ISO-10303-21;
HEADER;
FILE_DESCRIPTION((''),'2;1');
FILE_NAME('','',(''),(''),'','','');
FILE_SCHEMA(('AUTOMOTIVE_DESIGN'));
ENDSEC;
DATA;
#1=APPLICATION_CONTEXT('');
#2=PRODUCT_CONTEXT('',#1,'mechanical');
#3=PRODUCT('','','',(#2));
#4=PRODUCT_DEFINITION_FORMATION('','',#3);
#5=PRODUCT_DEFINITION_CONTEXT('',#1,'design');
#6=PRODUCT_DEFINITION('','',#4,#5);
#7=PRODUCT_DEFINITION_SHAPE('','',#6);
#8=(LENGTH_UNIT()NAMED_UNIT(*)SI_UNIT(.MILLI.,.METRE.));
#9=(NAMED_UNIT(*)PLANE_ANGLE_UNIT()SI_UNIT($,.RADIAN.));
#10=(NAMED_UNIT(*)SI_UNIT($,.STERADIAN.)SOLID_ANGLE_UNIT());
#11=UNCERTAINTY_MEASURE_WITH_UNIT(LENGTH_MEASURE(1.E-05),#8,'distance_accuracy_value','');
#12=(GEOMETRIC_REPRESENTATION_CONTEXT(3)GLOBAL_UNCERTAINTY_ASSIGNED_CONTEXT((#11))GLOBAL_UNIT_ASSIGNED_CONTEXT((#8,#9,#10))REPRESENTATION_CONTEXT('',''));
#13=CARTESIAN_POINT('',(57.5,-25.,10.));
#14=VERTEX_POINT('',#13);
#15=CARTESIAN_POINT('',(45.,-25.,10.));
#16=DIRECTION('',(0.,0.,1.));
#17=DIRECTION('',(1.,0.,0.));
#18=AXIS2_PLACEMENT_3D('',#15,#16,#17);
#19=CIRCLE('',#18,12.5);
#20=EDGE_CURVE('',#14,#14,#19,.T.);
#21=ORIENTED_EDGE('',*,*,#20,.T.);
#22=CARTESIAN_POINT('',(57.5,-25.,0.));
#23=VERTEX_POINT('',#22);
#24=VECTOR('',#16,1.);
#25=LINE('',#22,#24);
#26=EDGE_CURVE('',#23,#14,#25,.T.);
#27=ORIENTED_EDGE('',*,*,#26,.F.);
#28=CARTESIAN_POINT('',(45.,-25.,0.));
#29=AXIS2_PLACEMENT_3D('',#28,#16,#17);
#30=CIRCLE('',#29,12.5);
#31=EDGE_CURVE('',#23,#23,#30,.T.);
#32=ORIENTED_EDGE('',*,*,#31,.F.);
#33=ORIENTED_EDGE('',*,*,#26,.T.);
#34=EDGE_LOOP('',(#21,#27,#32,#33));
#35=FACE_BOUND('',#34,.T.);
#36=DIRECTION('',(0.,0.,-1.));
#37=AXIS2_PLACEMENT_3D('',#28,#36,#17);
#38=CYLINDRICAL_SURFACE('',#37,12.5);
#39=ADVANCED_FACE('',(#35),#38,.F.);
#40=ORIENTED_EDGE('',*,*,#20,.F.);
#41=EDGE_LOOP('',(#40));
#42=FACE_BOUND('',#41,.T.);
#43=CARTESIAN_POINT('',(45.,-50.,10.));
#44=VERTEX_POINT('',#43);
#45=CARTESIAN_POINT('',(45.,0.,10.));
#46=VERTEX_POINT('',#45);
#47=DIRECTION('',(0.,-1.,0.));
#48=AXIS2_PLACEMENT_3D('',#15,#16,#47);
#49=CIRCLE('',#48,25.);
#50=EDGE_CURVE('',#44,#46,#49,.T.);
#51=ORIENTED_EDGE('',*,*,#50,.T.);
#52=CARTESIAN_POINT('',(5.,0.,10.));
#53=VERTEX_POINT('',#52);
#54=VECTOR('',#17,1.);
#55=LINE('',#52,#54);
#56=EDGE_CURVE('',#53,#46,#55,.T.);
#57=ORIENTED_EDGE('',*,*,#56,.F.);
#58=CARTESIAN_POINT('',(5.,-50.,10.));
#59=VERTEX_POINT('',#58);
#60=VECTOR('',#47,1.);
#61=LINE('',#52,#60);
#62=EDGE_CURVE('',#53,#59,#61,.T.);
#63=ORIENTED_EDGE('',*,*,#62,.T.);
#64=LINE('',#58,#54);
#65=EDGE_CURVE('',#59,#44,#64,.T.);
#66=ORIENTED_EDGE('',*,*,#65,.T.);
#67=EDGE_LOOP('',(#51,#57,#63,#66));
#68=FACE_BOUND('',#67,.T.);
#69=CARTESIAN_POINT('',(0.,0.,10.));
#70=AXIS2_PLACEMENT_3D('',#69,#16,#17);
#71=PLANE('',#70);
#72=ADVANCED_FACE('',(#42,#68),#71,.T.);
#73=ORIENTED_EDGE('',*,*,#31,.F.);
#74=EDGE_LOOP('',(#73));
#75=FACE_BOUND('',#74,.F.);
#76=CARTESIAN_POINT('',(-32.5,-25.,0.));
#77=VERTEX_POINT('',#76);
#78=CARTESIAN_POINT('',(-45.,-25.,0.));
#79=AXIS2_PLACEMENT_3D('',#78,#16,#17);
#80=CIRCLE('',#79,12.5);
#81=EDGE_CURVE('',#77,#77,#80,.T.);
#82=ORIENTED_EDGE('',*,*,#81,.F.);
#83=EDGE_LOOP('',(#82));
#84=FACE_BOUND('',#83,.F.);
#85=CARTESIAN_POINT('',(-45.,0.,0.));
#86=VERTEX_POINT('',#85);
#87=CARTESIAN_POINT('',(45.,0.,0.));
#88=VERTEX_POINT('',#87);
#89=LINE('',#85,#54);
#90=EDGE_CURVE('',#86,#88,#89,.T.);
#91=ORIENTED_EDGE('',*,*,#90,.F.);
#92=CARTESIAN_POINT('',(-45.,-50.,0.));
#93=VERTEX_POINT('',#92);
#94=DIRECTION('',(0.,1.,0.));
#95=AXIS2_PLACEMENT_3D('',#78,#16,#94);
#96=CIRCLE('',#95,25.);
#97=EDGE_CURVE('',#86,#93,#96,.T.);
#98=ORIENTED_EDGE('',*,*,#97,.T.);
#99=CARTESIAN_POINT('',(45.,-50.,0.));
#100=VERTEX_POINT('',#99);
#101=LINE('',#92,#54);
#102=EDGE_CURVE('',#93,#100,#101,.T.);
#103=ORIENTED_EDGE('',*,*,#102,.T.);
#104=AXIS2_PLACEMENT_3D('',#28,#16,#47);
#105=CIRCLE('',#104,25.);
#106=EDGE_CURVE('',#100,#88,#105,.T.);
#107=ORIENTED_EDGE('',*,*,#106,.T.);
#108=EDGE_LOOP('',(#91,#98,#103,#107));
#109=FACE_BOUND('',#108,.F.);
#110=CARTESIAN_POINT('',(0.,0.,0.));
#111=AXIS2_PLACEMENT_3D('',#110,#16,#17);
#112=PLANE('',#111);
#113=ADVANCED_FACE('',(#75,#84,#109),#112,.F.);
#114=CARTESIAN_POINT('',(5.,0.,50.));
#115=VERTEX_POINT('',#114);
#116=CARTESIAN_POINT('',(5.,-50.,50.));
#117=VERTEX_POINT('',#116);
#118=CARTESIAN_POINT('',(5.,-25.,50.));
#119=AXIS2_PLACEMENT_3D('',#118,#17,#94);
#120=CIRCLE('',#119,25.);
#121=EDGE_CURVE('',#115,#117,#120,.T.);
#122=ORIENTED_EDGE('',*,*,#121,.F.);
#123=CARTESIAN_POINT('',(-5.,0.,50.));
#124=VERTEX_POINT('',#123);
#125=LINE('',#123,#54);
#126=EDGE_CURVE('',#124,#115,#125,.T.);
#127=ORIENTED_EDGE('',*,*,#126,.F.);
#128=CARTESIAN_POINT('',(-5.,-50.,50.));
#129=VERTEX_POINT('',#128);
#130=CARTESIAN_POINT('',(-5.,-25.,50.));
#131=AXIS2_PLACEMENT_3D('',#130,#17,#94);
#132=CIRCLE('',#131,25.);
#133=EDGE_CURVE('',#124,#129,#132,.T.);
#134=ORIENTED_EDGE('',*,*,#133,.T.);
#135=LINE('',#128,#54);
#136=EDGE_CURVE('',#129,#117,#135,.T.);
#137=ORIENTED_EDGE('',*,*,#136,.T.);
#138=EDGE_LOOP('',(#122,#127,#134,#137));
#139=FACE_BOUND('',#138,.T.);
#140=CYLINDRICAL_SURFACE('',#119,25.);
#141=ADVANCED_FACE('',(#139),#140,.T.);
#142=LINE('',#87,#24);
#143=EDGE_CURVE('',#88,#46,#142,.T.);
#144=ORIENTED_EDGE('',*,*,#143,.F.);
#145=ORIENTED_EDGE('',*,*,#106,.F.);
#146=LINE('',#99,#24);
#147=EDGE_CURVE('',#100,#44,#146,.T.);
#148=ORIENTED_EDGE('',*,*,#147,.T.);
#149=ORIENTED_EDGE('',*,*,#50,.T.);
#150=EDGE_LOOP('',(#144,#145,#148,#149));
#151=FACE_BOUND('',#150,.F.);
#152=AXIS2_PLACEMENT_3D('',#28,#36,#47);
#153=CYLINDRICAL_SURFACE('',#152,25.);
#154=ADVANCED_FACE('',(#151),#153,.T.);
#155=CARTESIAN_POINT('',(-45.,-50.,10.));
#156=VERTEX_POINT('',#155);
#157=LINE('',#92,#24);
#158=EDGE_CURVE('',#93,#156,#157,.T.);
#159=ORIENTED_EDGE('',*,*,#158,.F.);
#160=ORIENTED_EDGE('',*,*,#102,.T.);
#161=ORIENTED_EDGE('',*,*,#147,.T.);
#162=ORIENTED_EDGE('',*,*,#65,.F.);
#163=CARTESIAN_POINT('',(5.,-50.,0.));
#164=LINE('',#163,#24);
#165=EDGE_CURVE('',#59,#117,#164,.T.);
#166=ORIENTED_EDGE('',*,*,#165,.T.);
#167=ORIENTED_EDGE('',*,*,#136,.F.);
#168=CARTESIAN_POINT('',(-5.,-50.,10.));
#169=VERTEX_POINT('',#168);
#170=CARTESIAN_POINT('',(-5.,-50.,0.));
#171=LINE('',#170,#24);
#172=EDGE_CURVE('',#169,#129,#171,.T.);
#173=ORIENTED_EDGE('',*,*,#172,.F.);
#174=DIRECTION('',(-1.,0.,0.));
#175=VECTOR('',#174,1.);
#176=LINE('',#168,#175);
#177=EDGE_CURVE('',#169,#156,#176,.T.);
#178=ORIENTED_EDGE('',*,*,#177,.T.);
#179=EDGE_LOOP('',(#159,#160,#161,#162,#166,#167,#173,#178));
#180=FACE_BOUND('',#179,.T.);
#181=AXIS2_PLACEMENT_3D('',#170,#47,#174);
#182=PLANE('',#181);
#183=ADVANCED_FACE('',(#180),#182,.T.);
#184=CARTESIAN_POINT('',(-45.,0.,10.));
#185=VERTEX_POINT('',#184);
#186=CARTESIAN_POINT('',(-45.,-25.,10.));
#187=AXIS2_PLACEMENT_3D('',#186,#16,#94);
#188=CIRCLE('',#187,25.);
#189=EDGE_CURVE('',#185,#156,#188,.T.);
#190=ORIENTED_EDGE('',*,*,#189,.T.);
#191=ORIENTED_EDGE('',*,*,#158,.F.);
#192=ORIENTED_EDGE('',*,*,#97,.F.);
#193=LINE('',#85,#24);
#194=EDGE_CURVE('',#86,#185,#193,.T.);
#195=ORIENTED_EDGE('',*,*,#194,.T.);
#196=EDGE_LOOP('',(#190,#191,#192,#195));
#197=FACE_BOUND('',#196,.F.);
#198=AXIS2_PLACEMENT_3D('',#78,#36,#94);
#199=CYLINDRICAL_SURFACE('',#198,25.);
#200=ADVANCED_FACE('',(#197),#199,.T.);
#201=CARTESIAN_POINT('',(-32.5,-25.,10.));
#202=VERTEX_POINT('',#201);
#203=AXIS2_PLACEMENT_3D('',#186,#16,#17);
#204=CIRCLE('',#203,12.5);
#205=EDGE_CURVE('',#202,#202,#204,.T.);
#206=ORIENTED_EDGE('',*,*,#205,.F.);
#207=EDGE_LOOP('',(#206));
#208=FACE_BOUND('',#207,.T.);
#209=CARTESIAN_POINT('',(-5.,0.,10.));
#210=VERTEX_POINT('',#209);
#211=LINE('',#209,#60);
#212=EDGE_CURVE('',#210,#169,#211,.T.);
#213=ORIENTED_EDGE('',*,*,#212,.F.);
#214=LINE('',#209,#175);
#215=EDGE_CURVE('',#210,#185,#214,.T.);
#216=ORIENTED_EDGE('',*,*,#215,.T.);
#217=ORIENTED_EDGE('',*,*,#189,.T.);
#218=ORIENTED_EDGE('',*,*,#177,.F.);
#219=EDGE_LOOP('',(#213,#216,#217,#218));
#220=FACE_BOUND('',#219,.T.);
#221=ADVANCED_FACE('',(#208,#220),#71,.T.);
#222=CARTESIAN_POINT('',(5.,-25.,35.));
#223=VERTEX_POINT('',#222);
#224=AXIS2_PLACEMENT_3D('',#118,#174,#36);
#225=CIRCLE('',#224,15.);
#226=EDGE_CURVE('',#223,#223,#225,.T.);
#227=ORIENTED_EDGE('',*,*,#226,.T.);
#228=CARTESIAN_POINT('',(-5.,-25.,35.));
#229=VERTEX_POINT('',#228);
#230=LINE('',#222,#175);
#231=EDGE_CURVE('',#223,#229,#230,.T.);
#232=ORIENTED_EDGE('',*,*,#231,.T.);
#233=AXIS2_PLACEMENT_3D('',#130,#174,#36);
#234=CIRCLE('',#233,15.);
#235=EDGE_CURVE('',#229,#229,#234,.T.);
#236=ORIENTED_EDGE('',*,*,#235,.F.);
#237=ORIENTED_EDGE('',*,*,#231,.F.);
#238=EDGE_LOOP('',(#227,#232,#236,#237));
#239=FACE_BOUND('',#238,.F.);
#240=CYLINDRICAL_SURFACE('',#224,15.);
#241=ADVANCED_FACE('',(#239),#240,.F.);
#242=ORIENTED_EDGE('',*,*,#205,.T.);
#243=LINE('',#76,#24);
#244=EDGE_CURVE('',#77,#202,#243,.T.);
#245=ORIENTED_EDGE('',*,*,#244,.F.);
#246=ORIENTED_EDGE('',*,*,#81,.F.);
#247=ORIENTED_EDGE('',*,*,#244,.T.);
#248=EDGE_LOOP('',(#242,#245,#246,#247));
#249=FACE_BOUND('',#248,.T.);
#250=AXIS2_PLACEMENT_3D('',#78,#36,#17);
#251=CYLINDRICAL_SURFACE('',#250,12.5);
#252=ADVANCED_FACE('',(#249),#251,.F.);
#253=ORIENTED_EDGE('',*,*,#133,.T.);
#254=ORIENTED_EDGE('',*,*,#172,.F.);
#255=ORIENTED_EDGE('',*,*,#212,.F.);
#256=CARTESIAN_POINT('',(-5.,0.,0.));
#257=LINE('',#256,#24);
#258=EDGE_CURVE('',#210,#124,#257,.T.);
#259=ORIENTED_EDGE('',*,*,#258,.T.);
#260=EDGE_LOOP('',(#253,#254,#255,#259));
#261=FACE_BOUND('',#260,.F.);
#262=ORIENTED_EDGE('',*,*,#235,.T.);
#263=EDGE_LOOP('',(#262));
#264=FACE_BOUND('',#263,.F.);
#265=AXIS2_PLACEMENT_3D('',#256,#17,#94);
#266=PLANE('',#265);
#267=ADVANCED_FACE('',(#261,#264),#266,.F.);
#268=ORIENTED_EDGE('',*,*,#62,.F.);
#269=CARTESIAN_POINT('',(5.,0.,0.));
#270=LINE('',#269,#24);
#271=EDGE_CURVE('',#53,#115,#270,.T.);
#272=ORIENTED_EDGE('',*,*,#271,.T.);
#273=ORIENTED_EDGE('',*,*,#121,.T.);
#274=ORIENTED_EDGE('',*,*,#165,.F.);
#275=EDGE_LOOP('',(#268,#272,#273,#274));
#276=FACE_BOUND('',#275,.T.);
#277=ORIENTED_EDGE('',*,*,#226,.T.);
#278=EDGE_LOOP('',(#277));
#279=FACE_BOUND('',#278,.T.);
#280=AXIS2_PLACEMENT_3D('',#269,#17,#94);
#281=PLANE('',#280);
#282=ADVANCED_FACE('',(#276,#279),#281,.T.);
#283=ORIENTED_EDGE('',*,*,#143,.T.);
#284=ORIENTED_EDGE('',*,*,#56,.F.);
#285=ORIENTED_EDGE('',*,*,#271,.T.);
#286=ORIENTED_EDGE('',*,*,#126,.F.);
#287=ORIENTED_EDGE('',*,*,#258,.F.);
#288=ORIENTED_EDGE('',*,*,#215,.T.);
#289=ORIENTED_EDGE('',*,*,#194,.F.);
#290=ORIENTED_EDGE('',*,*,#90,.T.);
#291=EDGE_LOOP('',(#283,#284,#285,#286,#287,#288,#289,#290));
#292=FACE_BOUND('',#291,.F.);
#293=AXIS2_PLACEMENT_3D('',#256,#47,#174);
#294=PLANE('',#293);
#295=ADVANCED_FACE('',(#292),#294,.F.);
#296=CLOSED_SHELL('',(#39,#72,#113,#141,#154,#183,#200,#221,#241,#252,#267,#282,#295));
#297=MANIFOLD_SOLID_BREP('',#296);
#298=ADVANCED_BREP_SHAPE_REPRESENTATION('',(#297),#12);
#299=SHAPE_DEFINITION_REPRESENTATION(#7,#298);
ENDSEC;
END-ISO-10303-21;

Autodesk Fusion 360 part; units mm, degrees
sketch "Sketch1" plane through (0, 0, 0) normal (0, 0, 1) x (1, 0, 0)
  line L0 (-5, 0) -> (-5, -50)
  line L1 (5, 0) -> (5, -50)
  line L2 (5, 0) -> (45, 0)
  line L3 (-5, 0) -> (-45, 0)
  line L4 (5, -50) -> (45, -50)
  line L5 (-5, -50) -> (-45, -50)
  line L6 (70, -25) -> (70.7973, -25) construction
  circle A0 centre (-45, -25) radius 12.5
  circle A1 centre (45, -25) radius 12.5
  arc A2 (-45, 0) -> (-45, -50) centre (-45, -25) ccw
  arc A3 (45, -50) -> (45, 0) centre (45, -25) ccw
  line L7 (-5, 0) -> (5, 0)
  line L8 (-5, -50) -> (5, -50)
  dimension "d4" = 40
  dimension "d5" = 40
  dimension "d6" = 40
  dimension "d7" = 40
  dimension "d8" = 25
  dimension "d9" = 50
  dimension "d10" = 25
  dimension "d11" = 50
extrude "Extrude1" add sketch "Sketch1" along normal blind 10 contours L0 L3 L5 A2 | L1 L2 L4 A3 makes body 1 at (-14.1667, -25, 0) makes body 2 at (14.1667, -25, 0)
extrude "Extrude2" add sketch "Sketch1" along normal blind 50 contours L0 L1 L7 L8 bodies 1 2
sketch "Sketch2" plane through (5, 0, 0) normal (1, 0, 0) x (0, 1, 0)
  line L0 (-50, 10) -> (0, 10)
  line L1 (0, 10) -> (0, 50)
  line L2 (0, 50) -> (-50, 50)
  line L3 (-50, 50) -> (-50, 10)
  arc A0 (0, 50) -> (-50, 50) centre (-25, 50) ccw
  circle A1 centre (-25, 50) radius 12.5
  dimension "d16" = 50
  dimension "d17" = 25
extrude "Extrude3" add sketch "Sketch2" against normal blind 10 contours L2 A0 A1 bodies 1
hole "Hole1" at (5, -25, 50) direction (-1, 0, 0) diameter 30 depth 30 tip angle 118 bodies 1
